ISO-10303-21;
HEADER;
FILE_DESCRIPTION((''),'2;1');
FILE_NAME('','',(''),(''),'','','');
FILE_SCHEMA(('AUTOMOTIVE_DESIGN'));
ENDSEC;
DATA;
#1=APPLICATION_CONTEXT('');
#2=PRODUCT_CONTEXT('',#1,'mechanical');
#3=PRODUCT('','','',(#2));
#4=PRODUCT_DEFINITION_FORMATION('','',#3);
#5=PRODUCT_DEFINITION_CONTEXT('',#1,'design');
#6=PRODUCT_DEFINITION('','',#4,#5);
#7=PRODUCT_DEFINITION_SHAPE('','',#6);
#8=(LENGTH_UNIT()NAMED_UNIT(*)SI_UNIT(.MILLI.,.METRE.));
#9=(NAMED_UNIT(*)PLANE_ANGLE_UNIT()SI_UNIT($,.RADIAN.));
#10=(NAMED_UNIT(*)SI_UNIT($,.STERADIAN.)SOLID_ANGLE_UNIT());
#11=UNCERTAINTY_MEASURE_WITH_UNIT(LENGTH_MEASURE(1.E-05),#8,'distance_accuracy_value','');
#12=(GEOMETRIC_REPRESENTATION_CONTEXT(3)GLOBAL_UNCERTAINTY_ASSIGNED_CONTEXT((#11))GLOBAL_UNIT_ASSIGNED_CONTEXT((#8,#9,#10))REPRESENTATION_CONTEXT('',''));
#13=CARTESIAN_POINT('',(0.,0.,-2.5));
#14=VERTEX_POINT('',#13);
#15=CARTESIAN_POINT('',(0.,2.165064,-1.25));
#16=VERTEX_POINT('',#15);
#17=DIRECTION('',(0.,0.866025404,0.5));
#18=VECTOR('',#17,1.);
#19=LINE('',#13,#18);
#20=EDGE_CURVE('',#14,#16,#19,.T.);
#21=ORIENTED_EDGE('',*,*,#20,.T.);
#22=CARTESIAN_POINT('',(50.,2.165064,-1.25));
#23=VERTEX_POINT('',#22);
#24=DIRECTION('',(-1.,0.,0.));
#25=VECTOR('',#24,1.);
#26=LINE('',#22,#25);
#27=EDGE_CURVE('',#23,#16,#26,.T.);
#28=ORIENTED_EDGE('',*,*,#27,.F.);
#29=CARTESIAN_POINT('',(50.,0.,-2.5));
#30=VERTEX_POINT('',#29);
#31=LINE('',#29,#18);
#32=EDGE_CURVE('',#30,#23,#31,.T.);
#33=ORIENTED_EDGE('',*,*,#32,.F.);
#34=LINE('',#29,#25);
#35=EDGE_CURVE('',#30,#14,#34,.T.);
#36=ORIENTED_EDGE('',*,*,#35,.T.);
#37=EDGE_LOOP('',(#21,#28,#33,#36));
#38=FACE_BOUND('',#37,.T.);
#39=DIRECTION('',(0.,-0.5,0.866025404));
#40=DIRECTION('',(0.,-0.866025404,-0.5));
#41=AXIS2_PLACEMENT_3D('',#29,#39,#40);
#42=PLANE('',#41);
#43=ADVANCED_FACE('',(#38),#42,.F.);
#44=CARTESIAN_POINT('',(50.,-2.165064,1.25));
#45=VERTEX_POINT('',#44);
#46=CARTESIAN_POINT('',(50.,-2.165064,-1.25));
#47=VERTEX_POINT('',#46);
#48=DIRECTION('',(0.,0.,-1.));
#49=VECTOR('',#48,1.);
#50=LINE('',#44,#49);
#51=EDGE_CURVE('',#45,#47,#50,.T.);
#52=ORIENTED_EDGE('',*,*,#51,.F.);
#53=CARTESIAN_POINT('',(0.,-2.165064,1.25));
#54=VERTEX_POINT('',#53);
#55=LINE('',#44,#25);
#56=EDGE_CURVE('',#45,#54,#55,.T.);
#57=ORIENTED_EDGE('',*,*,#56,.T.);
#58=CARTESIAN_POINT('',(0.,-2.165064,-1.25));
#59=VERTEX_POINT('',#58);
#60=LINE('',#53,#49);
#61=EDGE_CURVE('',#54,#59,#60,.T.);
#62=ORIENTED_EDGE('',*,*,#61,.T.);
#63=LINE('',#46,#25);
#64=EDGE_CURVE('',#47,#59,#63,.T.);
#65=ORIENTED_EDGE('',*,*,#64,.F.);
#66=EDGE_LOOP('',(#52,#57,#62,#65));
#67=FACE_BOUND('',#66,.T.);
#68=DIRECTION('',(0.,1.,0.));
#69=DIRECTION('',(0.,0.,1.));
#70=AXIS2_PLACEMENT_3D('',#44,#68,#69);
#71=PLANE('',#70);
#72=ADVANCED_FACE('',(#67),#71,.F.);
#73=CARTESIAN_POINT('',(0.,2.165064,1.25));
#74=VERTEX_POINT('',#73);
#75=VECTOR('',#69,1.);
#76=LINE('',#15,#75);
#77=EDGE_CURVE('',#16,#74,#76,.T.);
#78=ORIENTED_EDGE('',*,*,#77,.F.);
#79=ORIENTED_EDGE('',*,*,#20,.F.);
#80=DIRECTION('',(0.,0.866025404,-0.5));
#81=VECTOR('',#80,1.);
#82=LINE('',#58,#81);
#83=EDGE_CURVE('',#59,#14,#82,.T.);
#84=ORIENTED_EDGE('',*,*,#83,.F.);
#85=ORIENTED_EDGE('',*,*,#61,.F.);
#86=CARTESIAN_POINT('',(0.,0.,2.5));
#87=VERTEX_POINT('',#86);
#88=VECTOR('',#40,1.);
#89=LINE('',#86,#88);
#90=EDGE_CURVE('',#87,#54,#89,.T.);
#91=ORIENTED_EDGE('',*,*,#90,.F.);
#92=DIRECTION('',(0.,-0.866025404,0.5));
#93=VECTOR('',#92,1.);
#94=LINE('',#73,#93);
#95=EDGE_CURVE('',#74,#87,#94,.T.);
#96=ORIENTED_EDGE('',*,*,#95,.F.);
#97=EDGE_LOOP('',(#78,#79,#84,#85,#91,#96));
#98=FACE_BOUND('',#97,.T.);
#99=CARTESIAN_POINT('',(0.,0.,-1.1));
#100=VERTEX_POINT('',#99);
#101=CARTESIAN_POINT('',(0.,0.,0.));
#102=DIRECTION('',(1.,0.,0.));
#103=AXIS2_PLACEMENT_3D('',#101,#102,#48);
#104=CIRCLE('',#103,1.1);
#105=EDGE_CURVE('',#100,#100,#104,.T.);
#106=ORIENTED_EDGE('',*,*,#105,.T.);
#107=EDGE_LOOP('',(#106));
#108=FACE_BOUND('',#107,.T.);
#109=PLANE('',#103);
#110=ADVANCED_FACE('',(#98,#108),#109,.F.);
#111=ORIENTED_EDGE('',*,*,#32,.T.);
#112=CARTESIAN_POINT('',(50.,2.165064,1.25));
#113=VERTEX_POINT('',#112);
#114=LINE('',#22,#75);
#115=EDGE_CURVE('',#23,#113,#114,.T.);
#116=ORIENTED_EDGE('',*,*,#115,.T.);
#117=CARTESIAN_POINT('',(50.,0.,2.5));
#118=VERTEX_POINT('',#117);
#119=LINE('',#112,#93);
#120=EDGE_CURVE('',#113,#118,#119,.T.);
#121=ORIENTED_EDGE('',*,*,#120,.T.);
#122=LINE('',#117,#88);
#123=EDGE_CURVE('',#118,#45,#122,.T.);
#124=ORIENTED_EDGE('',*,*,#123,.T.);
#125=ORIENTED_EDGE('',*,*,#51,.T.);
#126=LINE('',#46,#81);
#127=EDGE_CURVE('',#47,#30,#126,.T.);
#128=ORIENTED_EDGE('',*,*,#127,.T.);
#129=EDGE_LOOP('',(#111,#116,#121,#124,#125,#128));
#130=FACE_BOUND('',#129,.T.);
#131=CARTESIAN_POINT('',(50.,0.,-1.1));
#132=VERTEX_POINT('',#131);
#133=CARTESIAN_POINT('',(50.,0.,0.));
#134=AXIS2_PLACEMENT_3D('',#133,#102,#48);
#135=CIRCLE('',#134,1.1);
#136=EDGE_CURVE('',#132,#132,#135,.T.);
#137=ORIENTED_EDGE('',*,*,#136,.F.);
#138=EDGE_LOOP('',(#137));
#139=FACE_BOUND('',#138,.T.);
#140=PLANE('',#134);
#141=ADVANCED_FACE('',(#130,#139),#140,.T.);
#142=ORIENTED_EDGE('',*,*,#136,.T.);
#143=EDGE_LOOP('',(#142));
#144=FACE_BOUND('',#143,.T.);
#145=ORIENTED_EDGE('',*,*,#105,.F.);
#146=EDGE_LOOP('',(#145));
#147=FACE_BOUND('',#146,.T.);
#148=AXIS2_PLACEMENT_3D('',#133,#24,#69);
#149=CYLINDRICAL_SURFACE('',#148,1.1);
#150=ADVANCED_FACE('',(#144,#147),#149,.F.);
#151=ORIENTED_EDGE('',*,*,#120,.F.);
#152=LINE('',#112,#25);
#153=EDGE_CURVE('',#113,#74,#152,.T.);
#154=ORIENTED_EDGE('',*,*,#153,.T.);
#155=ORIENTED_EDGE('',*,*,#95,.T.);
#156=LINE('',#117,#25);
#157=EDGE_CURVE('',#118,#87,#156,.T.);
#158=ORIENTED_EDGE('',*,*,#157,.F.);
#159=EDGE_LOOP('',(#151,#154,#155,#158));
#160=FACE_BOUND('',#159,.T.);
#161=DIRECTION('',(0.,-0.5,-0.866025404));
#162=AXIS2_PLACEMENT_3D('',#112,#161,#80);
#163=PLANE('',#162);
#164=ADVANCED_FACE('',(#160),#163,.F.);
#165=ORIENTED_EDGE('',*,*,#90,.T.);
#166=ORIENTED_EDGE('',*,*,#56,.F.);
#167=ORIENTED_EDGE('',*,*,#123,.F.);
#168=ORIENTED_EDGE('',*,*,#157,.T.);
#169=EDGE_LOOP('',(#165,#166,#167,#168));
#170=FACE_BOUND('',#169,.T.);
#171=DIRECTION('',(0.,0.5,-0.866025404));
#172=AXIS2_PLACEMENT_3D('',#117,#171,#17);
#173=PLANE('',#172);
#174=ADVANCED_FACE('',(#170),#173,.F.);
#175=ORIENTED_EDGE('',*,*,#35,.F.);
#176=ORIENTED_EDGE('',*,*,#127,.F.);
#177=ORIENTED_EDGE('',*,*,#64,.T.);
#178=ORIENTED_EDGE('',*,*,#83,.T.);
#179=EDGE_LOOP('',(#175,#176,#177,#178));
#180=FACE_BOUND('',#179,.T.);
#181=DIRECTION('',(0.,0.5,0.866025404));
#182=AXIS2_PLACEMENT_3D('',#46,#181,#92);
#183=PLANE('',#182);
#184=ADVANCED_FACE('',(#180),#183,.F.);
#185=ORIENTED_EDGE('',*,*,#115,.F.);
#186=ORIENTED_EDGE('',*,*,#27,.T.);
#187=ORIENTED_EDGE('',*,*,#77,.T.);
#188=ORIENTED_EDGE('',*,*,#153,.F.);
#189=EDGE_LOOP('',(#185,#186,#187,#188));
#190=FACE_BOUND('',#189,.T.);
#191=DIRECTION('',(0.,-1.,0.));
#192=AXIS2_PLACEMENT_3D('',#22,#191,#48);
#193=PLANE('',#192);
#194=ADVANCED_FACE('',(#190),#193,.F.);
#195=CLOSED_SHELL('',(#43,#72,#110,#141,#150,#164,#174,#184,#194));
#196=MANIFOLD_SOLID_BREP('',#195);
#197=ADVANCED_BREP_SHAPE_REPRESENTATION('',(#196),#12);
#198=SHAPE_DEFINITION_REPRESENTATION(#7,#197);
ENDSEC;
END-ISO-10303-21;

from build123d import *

# Parameters (mm, degrees)
SKETCH1_R           = 1.1
BOSS_EXTRUDE1_DEPTH = 50


with BuildPart() as part:
    # Sketch1 → Boss-Extrude1 (new body)
    with BuildSketch(Plane(origin=(0, 0, 0), x_dir=(0, 0, -1), z_dir=(1, 0, 0))):
        Polygon((1.25, 2.165063509), (-1.25, 2.165063509), (-2.5, 0), (-1.25, -2.165063509), (1.25, -2.165063509), (2.5, 0), align=None)
        Circle(SKETCH1_R, mode=Mode.SUBTRACT)
    extrude(amount=BOSS_EXTRUDE1_DEPTH)


solid = part.part
